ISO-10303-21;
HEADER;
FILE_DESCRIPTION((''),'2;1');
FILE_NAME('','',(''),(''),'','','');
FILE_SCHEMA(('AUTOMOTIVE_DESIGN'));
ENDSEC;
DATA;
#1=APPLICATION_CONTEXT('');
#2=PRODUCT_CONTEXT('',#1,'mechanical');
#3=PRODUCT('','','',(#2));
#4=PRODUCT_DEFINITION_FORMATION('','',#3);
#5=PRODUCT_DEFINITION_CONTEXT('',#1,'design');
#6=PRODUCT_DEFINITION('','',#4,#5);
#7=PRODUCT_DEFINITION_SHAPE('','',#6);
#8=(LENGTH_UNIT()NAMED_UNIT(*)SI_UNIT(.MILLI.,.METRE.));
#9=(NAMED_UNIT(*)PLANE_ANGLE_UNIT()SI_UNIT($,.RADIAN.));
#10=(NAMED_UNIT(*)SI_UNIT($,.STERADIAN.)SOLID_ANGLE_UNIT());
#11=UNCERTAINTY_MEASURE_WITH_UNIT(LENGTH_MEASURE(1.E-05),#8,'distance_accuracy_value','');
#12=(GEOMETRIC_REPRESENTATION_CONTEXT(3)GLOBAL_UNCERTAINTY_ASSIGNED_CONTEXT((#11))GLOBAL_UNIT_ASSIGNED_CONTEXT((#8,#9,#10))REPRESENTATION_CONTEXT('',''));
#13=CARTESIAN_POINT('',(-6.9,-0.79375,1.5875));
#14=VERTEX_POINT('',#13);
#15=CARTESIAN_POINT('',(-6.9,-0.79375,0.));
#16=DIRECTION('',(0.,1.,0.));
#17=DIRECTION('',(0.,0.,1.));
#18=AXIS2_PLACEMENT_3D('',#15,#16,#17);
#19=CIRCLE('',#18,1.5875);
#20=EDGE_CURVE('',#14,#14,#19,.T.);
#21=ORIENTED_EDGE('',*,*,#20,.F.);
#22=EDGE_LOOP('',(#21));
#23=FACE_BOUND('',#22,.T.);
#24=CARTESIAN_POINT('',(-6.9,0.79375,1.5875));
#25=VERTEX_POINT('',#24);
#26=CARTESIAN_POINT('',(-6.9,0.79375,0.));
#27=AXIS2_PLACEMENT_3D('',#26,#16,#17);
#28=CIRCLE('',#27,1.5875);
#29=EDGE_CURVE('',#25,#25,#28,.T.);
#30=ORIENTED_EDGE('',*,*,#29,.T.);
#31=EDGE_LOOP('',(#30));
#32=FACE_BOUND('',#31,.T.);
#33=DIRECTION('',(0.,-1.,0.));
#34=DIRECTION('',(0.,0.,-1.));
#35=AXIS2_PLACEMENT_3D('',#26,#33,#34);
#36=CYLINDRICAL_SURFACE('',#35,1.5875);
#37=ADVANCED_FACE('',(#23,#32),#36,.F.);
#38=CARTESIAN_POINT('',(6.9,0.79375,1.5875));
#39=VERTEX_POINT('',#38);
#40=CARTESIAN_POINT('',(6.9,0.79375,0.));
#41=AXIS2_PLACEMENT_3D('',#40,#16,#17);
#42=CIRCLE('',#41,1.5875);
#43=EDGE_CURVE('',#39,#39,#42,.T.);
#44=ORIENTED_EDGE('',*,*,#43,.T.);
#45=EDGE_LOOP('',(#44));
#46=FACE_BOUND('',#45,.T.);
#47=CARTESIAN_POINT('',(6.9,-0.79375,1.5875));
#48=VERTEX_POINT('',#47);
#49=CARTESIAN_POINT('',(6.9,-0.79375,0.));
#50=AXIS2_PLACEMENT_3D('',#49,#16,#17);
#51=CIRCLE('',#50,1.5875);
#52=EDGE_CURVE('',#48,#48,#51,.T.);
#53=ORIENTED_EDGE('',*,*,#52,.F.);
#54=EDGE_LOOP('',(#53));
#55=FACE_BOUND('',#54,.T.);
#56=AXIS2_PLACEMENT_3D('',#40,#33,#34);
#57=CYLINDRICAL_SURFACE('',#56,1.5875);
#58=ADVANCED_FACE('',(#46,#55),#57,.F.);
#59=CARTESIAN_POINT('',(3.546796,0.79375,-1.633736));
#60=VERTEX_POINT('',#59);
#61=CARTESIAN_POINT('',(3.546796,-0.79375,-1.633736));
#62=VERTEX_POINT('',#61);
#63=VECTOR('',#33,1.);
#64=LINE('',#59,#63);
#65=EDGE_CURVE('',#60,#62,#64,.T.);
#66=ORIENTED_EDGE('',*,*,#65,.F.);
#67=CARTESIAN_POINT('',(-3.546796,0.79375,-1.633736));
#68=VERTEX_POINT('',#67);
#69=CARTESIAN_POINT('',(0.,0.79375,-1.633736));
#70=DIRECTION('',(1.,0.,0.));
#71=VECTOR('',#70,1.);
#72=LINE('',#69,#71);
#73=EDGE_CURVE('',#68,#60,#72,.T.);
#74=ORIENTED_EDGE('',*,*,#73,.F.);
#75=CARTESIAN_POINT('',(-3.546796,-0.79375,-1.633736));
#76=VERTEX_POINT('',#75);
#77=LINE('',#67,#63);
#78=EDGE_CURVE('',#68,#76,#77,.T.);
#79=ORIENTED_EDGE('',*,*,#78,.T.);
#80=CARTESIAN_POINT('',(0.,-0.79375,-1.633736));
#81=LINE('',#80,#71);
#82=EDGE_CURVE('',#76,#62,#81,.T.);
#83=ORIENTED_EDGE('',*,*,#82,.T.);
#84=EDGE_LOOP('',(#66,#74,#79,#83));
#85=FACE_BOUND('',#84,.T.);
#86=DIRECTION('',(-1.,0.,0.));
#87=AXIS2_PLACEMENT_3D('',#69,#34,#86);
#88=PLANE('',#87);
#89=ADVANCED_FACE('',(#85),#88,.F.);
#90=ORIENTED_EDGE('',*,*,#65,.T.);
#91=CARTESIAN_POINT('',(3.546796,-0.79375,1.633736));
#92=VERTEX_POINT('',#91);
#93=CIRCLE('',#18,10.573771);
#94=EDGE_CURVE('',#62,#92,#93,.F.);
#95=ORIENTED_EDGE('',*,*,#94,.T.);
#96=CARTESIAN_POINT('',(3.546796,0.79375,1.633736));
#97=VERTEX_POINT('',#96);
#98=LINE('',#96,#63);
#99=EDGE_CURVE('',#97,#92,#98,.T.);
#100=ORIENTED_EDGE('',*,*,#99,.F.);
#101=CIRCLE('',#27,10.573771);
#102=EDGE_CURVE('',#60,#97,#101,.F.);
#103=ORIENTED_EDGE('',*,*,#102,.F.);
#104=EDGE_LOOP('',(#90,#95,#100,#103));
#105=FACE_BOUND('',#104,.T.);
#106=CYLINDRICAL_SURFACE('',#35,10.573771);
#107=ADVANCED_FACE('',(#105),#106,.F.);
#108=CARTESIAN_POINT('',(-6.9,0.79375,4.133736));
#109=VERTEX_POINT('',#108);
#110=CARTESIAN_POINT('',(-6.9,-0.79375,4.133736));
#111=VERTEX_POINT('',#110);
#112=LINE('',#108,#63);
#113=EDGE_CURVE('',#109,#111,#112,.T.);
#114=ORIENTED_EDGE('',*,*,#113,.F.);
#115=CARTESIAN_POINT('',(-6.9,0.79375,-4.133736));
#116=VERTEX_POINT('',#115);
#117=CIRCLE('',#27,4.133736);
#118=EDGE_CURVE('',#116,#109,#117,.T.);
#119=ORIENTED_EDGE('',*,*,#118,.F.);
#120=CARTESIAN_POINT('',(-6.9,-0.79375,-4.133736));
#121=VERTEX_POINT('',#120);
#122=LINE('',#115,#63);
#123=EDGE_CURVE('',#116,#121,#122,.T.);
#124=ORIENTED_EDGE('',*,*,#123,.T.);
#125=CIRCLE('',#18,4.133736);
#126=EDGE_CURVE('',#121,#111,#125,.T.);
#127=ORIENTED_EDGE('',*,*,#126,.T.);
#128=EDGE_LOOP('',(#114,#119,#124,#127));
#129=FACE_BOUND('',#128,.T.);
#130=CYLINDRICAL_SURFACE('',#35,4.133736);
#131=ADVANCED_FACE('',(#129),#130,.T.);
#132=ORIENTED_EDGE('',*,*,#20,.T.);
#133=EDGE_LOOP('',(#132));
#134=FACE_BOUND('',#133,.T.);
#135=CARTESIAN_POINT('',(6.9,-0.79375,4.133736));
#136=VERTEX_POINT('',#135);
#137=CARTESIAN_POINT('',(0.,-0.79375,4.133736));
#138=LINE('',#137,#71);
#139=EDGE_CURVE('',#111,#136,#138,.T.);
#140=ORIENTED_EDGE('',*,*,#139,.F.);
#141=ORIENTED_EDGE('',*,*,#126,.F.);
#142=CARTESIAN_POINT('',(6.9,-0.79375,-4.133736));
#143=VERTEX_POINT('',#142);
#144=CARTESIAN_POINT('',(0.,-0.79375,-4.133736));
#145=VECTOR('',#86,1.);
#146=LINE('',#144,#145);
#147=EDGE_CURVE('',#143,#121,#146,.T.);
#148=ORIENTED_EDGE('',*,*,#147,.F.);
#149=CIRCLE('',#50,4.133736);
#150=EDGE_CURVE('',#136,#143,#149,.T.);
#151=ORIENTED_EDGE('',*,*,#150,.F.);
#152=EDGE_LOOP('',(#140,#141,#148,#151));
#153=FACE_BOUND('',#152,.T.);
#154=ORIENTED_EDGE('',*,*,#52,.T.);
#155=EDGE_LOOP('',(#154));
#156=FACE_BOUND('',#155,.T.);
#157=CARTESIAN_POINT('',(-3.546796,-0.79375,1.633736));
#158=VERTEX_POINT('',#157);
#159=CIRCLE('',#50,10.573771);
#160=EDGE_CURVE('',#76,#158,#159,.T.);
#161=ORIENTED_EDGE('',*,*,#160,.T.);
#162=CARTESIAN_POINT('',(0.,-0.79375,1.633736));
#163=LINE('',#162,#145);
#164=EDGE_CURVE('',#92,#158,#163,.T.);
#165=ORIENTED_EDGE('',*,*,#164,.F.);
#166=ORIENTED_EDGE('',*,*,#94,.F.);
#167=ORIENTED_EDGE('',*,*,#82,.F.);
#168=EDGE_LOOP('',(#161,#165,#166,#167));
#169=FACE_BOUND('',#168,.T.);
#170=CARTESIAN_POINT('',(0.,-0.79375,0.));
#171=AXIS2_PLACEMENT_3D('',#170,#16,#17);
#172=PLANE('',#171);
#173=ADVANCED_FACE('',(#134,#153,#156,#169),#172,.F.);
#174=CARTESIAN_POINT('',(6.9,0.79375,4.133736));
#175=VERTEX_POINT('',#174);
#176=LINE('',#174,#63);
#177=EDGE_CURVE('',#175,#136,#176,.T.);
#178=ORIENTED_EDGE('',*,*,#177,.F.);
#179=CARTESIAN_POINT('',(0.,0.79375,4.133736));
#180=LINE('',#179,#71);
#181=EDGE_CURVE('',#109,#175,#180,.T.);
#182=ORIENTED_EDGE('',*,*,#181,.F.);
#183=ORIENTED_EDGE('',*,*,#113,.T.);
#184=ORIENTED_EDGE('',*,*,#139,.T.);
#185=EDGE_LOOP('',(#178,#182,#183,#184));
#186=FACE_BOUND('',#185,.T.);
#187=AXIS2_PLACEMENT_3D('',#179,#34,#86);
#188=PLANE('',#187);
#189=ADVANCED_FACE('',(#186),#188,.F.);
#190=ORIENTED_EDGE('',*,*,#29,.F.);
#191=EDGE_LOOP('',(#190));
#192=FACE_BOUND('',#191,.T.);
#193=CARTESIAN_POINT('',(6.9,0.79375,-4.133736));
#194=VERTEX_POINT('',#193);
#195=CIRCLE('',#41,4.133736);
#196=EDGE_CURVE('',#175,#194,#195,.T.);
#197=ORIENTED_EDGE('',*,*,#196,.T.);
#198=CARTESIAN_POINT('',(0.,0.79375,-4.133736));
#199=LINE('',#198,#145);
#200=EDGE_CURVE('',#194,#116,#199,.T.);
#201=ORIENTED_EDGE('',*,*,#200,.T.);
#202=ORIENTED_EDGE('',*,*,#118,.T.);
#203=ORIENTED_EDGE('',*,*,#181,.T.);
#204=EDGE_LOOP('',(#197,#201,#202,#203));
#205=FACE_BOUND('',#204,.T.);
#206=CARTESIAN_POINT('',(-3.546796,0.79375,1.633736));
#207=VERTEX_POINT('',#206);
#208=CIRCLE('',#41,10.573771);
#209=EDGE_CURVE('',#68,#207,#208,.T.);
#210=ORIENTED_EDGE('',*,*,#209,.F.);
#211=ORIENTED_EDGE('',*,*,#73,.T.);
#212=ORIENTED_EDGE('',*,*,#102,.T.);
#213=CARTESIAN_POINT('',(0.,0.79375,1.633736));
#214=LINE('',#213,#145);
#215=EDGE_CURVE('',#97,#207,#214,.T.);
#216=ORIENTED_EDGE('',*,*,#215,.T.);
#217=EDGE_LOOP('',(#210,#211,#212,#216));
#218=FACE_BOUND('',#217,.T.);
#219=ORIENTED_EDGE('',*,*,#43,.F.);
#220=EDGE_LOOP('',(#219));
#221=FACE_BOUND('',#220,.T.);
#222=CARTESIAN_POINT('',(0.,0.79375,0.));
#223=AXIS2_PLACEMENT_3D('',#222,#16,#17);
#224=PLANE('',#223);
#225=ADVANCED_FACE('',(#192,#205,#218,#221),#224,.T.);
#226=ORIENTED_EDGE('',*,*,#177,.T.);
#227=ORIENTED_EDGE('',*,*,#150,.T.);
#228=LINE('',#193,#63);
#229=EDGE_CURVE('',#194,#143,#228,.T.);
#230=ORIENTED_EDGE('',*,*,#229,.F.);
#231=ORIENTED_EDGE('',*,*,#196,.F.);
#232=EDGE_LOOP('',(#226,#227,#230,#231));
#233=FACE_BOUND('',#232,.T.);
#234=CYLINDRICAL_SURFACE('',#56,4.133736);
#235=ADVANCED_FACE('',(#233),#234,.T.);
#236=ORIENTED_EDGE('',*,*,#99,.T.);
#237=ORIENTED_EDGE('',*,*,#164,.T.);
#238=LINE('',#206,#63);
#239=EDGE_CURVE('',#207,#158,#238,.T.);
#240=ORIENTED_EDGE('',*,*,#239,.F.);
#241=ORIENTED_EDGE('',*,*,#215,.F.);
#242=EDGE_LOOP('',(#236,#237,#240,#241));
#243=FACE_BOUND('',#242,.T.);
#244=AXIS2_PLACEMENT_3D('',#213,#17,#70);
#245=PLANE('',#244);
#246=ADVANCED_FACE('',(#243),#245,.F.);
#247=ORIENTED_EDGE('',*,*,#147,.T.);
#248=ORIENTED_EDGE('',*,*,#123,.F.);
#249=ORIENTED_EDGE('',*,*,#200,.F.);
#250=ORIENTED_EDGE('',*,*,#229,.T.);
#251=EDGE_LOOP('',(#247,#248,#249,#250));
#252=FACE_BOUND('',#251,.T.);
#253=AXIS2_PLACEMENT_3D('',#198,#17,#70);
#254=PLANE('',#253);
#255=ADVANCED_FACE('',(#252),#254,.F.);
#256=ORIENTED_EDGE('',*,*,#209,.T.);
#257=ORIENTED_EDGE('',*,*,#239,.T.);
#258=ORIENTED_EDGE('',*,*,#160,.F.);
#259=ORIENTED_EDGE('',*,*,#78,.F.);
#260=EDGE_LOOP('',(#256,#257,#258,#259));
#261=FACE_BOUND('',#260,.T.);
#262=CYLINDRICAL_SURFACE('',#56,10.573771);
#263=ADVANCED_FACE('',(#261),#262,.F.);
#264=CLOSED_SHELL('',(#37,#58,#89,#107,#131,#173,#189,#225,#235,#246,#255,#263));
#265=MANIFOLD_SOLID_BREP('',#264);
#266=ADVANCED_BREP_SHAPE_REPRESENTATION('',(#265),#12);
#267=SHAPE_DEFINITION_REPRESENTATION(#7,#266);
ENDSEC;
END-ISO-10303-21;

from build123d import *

# Parameters (mm, degrees)
SKETCH1_R           = 1.5875
BOSS_EXTRUDE2_DEPTH = 0.79375


with BuildPart() as part:
    # Sketch1 → Boss-Extrude2 (new, symmetric)
    with BuildSketch(Plane(origin=(0, 0, 0), x_dir=(1, 0, 0), z_dir=(0, 1, 0))):
        with BuildLine():
            Line((6.9, 4.133736316), (-6.9, 4.133736316))
            ThreePointArc((-6.9, 4.133736316), (-11.033736316, 0), (-6.9, -4.133736316))
            Line((-6.9, -4.133736316), (6.9, -4.133736316))
            ThreePointArc((6.9, -4.133736316), (11.033736316, 0), (6.9, 4.133736316))
        make_face()
        with Locations(Location((6.9, 0, 0), (0, 0, 270))):
            Circle(SKETCH1_R, mode=Mode.SUBTRACT)
        with Locations(Location((-6.9, 0, 0), (0, 0, 270))):
            Circle(SKETCH1_R, mode=Mode.SUBTRACT)
        with BuildLine():
            Line((3.54679584, -1.633736316), (-3.54679584, -1.633736316))
            ThreePointArc((-3.54679584, -1.633736316), (-3.673771214, 0), (-3.54679584, 1.633736316))
            Line((-3.54679584, 1.633736316), (3.54679584, 1.633736316))
            ThreePointArc((3.54679584, 1.633736316), (3.673771214, 0), (3.54679584, -1.633736316))
        make_face(mode=Mode.SUBTRACT)
    extrude(amount=BOSS_EXTRUDE2_DEPTH, both=True)


solid = part.part
